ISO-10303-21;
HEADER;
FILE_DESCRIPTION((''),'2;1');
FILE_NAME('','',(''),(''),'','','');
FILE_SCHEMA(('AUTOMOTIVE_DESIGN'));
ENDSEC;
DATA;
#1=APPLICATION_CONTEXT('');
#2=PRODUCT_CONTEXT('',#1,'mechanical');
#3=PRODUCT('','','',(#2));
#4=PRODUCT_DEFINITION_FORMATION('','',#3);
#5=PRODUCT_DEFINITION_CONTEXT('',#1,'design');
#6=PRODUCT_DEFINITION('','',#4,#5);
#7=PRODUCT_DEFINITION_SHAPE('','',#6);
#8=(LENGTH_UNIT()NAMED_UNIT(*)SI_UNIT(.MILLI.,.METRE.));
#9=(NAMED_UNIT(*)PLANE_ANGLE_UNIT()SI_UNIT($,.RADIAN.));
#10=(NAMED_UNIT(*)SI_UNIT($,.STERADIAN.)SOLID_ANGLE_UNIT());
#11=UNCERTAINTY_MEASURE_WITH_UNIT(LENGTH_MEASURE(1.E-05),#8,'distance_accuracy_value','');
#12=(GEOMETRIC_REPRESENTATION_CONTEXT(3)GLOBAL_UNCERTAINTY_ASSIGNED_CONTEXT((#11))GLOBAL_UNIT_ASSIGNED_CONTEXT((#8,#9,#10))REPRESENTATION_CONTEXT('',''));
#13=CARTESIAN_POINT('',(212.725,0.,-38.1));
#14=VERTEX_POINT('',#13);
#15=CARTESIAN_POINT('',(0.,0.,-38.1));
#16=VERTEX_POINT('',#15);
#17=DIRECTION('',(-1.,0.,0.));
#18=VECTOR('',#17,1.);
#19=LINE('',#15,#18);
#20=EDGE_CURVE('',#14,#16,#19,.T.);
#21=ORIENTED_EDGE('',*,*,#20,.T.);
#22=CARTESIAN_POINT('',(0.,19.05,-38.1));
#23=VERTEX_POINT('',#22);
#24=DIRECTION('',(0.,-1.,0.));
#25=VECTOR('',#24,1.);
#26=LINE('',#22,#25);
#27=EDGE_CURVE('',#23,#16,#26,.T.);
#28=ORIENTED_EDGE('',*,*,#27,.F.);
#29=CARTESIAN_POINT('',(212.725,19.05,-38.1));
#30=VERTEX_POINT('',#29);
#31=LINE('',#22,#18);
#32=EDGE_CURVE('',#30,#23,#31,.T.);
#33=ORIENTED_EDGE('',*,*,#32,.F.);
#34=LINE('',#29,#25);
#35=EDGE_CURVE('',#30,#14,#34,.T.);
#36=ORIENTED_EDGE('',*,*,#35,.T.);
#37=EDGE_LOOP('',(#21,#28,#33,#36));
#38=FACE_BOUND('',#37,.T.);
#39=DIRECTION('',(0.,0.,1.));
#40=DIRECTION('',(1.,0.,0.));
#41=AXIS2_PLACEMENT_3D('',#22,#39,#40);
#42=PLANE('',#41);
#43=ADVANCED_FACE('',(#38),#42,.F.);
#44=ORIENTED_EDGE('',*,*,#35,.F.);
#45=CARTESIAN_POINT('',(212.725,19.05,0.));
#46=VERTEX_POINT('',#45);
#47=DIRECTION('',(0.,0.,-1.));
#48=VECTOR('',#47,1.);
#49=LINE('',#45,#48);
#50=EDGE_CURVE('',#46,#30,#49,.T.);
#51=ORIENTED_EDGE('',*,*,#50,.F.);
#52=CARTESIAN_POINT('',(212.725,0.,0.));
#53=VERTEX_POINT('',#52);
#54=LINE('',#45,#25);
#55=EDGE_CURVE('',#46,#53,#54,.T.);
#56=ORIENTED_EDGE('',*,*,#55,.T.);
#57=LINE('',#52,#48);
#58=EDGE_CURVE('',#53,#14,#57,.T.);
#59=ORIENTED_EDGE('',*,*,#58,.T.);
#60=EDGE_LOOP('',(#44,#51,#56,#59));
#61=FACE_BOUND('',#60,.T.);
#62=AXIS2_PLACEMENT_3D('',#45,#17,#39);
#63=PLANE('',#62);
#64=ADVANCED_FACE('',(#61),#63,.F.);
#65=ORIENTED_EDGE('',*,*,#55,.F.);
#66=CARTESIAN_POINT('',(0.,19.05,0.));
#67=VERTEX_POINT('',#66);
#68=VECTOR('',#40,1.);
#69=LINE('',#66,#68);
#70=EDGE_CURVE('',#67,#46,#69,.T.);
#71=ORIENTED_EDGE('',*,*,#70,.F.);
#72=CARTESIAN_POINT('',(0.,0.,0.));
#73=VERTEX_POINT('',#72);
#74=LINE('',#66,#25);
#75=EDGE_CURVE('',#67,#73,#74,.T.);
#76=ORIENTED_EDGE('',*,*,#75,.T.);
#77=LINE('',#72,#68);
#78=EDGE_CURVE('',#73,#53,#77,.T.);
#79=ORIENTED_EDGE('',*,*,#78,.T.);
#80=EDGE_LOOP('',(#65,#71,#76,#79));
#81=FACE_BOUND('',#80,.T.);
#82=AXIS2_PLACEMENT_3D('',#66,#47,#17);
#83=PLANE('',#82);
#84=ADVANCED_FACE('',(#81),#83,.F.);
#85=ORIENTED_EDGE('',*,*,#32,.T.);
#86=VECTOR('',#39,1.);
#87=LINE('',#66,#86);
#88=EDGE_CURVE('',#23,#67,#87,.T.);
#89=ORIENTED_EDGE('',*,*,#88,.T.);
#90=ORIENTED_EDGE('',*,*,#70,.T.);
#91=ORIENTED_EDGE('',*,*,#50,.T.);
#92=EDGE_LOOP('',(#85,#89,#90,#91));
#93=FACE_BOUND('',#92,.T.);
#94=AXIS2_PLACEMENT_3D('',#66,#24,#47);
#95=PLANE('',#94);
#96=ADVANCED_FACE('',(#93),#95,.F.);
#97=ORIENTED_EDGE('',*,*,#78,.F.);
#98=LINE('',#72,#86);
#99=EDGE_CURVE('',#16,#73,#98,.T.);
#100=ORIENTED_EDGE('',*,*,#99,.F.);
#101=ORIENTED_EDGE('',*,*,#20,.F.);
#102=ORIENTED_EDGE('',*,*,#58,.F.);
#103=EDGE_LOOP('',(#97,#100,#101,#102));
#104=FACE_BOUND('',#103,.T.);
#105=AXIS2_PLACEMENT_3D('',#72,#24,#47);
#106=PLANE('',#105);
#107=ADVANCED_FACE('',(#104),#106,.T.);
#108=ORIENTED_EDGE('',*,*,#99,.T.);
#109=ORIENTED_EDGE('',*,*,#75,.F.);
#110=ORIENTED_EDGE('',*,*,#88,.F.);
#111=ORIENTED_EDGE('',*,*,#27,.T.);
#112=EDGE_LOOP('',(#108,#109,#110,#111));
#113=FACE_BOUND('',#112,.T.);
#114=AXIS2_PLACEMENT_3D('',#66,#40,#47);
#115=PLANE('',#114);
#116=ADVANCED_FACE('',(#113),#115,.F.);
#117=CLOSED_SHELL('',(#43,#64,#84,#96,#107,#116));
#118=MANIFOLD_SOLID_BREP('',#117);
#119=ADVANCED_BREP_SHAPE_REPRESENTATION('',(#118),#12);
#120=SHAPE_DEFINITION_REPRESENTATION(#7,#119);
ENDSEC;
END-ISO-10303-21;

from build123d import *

# Parameters (mm, degrees)
SKETCH1_W           = 212.725
SKETCH1_H           = 38.1
BOSS_EXTRUDE1_DEPTH = 19.05


with BuildPart() as part:
    # Sketch1 → Boss-Extrude1 (new body)
    with BuildSketch(Plane(origin=(0, 0, 0), x_dir=(1, 0, 0), z_dir=(0, 1, 0))):
        with Locations((106.3625, 19.05)):
            Rectangle(SKETCH1_W, SKETCH1_H)
    extrude(amount=BOSS_EXTRUDE1_DEPTH)


solid = part.part
